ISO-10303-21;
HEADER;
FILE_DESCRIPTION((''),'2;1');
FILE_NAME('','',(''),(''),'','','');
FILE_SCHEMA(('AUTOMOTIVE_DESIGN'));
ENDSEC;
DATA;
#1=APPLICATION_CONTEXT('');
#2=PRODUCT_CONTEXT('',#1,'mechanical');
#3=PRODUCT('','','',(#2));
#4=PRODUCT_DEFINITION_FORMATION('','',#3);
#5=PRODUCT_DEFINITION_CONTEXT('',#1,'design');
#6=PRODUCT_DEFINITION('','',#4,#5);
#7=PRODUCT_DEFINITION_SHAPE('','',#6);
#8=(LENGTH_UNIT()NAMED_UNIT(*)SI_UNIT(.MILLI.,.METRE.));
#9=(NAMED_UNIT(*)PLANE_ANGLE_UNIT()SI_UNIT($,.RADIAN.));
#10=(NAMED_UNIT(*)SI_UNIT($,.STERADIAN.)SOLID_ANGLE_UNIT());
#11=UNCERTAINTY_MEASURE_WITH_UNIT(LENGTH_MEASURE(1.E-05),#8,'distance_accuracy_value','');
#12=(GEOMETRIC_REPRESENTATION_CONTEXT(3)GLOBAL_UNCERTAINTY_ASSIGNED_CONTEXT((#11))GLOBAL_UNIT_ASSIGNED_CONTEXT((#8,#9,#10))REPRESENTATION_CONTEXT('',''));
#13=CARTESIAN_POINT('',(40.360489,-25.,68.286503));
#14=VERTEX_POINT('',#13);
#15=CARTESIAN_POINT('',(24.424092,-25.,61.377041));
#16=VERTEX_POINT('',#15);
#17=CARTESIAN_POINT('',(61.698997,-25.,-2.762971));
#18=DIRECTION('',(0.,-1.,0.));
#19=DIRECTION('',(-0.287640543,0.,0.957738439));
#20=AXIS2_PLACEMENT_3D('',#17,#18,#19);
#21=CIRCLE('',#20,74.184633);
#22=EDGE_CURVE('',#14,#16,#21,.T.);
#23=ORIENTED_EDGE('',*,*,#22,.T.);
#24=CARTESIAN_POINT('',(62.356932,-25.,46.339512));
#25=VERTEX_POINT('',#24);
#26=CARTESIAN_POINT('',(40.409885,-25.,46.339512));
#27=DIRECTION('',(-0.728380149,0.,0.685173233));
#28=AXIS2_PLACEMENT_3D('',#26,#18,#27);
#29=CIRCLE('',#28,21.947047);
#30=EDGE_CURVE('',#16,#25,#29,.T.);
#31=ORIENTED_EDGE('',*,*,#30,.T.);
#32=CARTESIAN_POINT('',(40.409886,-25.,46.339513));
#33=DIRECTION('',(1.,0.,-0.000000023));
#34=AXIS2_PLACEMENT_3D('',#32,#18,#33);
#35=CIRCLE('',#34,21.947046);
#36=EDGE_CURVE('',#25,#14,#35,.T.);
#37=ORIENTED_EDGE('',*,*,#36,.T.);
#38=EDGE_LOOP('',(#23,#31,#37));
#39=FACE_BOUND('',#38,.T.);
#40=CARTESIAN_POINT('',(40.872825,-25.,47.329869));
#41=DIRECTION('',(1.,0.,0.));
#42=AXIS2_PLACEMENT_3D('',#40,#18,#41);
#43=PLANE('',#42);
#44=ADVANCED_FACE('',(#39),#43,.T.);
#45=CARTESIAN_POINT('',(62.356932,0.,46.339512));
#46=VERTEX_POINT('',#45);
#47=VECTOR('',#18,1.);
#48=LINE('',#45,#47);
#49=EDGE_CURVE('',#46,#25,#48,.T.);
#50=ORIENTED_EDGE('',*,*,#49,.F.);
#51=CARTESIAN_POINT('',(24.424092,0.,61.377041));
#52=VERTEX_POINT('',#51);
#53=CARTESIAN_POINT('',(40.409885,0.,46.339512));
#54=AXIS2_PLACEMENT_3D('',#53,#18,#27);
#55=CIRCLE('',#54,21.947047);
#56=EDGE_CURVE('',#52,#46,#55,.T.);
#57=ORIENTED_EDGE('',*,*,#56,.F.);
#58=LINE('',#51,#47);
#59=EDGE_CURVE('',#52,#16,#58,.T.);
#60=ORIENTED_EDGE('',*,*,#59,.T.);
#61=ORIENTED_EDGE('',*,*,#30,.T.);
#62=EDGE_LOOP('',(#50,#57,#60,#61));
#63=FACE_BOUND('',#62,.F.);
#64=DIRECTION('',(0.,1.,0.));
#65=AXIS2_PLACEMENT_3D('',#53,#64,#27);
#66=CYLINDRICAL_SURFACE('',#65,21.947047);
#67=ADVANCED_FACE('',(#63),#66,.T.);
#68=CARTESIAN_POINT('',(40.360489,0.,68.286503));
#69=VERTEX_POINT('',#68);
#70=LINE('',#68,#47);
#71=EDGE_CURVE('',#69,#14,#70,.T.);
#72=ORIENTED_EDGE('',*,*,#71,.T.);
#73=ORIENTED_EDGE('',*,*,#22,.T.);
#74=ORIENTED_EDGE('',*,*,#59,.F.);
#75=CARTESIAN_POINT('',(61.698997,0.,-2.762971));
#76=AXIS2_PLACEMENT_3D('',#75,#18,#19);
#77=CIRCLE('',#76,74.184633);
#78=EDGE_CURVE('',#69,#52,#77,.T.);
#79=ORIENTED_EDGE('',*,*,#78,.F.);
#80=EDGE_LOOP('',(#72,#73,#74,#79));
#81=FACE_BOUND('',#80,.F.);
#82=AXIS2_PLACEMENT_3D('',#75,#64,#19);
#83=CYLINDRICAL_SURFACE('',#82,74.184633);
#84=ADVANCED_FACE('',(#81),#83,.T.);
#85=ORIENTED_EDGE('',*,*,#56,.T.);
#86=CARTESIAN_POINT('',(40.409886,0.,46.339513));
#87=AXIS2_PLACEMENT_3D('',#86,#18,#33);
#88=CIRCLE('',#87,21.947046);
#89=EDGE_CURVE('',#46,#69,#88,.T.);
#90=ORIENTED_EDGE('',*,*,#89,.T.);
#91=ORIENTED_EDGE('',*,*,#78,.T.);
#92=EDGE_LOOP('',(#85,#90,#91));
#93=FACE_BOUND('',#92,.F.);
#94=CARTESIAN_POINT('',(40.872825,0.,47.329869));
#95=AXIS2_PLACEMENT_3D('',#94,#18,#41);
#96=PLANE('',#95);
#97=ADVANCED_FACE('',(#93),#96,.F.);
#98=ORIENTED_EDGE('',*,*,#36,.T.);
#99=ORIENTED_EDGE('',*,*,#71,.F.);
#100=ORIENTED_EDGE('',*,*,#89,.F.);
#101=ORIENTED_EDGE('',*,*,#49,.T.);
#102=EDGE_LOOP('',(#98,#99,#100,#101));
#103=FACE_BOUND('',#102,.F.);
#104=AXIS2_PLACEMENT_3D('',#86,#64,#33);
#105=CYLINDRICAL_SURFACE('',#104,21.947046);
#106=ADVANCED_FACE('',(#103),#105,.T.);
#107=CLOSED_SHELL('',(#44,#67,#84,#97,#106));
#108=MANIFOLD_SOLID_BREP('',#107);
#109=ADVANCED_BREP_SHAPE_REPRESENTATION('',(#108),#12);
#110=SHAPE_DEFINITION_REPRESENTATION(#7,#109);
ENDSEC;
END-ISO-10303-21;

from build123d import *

# Parameters (mm, degrees)
F1_DEPTH = 25


with BuildPart() as f1:
    # F0 (on Front) → F1 (new body)
    with BuildSketch(Plane.XZ):
        with BuildLine():
            ThreePointArc((40.360489, 68.286503), (32.189368, 65.299805), (24.424092, 61.377041))
            ThreePointArc((24.424092, 61.377041), (32.321872, 25.937137), (62.356932, 46.339512))
            ThreePointArc((62.356932, 46.339512), (55.911317, 61.875872), (40.360489, 68.286503))
        make_face()
    extrude(amount=F1_DEPTH)


solid = f1.part
